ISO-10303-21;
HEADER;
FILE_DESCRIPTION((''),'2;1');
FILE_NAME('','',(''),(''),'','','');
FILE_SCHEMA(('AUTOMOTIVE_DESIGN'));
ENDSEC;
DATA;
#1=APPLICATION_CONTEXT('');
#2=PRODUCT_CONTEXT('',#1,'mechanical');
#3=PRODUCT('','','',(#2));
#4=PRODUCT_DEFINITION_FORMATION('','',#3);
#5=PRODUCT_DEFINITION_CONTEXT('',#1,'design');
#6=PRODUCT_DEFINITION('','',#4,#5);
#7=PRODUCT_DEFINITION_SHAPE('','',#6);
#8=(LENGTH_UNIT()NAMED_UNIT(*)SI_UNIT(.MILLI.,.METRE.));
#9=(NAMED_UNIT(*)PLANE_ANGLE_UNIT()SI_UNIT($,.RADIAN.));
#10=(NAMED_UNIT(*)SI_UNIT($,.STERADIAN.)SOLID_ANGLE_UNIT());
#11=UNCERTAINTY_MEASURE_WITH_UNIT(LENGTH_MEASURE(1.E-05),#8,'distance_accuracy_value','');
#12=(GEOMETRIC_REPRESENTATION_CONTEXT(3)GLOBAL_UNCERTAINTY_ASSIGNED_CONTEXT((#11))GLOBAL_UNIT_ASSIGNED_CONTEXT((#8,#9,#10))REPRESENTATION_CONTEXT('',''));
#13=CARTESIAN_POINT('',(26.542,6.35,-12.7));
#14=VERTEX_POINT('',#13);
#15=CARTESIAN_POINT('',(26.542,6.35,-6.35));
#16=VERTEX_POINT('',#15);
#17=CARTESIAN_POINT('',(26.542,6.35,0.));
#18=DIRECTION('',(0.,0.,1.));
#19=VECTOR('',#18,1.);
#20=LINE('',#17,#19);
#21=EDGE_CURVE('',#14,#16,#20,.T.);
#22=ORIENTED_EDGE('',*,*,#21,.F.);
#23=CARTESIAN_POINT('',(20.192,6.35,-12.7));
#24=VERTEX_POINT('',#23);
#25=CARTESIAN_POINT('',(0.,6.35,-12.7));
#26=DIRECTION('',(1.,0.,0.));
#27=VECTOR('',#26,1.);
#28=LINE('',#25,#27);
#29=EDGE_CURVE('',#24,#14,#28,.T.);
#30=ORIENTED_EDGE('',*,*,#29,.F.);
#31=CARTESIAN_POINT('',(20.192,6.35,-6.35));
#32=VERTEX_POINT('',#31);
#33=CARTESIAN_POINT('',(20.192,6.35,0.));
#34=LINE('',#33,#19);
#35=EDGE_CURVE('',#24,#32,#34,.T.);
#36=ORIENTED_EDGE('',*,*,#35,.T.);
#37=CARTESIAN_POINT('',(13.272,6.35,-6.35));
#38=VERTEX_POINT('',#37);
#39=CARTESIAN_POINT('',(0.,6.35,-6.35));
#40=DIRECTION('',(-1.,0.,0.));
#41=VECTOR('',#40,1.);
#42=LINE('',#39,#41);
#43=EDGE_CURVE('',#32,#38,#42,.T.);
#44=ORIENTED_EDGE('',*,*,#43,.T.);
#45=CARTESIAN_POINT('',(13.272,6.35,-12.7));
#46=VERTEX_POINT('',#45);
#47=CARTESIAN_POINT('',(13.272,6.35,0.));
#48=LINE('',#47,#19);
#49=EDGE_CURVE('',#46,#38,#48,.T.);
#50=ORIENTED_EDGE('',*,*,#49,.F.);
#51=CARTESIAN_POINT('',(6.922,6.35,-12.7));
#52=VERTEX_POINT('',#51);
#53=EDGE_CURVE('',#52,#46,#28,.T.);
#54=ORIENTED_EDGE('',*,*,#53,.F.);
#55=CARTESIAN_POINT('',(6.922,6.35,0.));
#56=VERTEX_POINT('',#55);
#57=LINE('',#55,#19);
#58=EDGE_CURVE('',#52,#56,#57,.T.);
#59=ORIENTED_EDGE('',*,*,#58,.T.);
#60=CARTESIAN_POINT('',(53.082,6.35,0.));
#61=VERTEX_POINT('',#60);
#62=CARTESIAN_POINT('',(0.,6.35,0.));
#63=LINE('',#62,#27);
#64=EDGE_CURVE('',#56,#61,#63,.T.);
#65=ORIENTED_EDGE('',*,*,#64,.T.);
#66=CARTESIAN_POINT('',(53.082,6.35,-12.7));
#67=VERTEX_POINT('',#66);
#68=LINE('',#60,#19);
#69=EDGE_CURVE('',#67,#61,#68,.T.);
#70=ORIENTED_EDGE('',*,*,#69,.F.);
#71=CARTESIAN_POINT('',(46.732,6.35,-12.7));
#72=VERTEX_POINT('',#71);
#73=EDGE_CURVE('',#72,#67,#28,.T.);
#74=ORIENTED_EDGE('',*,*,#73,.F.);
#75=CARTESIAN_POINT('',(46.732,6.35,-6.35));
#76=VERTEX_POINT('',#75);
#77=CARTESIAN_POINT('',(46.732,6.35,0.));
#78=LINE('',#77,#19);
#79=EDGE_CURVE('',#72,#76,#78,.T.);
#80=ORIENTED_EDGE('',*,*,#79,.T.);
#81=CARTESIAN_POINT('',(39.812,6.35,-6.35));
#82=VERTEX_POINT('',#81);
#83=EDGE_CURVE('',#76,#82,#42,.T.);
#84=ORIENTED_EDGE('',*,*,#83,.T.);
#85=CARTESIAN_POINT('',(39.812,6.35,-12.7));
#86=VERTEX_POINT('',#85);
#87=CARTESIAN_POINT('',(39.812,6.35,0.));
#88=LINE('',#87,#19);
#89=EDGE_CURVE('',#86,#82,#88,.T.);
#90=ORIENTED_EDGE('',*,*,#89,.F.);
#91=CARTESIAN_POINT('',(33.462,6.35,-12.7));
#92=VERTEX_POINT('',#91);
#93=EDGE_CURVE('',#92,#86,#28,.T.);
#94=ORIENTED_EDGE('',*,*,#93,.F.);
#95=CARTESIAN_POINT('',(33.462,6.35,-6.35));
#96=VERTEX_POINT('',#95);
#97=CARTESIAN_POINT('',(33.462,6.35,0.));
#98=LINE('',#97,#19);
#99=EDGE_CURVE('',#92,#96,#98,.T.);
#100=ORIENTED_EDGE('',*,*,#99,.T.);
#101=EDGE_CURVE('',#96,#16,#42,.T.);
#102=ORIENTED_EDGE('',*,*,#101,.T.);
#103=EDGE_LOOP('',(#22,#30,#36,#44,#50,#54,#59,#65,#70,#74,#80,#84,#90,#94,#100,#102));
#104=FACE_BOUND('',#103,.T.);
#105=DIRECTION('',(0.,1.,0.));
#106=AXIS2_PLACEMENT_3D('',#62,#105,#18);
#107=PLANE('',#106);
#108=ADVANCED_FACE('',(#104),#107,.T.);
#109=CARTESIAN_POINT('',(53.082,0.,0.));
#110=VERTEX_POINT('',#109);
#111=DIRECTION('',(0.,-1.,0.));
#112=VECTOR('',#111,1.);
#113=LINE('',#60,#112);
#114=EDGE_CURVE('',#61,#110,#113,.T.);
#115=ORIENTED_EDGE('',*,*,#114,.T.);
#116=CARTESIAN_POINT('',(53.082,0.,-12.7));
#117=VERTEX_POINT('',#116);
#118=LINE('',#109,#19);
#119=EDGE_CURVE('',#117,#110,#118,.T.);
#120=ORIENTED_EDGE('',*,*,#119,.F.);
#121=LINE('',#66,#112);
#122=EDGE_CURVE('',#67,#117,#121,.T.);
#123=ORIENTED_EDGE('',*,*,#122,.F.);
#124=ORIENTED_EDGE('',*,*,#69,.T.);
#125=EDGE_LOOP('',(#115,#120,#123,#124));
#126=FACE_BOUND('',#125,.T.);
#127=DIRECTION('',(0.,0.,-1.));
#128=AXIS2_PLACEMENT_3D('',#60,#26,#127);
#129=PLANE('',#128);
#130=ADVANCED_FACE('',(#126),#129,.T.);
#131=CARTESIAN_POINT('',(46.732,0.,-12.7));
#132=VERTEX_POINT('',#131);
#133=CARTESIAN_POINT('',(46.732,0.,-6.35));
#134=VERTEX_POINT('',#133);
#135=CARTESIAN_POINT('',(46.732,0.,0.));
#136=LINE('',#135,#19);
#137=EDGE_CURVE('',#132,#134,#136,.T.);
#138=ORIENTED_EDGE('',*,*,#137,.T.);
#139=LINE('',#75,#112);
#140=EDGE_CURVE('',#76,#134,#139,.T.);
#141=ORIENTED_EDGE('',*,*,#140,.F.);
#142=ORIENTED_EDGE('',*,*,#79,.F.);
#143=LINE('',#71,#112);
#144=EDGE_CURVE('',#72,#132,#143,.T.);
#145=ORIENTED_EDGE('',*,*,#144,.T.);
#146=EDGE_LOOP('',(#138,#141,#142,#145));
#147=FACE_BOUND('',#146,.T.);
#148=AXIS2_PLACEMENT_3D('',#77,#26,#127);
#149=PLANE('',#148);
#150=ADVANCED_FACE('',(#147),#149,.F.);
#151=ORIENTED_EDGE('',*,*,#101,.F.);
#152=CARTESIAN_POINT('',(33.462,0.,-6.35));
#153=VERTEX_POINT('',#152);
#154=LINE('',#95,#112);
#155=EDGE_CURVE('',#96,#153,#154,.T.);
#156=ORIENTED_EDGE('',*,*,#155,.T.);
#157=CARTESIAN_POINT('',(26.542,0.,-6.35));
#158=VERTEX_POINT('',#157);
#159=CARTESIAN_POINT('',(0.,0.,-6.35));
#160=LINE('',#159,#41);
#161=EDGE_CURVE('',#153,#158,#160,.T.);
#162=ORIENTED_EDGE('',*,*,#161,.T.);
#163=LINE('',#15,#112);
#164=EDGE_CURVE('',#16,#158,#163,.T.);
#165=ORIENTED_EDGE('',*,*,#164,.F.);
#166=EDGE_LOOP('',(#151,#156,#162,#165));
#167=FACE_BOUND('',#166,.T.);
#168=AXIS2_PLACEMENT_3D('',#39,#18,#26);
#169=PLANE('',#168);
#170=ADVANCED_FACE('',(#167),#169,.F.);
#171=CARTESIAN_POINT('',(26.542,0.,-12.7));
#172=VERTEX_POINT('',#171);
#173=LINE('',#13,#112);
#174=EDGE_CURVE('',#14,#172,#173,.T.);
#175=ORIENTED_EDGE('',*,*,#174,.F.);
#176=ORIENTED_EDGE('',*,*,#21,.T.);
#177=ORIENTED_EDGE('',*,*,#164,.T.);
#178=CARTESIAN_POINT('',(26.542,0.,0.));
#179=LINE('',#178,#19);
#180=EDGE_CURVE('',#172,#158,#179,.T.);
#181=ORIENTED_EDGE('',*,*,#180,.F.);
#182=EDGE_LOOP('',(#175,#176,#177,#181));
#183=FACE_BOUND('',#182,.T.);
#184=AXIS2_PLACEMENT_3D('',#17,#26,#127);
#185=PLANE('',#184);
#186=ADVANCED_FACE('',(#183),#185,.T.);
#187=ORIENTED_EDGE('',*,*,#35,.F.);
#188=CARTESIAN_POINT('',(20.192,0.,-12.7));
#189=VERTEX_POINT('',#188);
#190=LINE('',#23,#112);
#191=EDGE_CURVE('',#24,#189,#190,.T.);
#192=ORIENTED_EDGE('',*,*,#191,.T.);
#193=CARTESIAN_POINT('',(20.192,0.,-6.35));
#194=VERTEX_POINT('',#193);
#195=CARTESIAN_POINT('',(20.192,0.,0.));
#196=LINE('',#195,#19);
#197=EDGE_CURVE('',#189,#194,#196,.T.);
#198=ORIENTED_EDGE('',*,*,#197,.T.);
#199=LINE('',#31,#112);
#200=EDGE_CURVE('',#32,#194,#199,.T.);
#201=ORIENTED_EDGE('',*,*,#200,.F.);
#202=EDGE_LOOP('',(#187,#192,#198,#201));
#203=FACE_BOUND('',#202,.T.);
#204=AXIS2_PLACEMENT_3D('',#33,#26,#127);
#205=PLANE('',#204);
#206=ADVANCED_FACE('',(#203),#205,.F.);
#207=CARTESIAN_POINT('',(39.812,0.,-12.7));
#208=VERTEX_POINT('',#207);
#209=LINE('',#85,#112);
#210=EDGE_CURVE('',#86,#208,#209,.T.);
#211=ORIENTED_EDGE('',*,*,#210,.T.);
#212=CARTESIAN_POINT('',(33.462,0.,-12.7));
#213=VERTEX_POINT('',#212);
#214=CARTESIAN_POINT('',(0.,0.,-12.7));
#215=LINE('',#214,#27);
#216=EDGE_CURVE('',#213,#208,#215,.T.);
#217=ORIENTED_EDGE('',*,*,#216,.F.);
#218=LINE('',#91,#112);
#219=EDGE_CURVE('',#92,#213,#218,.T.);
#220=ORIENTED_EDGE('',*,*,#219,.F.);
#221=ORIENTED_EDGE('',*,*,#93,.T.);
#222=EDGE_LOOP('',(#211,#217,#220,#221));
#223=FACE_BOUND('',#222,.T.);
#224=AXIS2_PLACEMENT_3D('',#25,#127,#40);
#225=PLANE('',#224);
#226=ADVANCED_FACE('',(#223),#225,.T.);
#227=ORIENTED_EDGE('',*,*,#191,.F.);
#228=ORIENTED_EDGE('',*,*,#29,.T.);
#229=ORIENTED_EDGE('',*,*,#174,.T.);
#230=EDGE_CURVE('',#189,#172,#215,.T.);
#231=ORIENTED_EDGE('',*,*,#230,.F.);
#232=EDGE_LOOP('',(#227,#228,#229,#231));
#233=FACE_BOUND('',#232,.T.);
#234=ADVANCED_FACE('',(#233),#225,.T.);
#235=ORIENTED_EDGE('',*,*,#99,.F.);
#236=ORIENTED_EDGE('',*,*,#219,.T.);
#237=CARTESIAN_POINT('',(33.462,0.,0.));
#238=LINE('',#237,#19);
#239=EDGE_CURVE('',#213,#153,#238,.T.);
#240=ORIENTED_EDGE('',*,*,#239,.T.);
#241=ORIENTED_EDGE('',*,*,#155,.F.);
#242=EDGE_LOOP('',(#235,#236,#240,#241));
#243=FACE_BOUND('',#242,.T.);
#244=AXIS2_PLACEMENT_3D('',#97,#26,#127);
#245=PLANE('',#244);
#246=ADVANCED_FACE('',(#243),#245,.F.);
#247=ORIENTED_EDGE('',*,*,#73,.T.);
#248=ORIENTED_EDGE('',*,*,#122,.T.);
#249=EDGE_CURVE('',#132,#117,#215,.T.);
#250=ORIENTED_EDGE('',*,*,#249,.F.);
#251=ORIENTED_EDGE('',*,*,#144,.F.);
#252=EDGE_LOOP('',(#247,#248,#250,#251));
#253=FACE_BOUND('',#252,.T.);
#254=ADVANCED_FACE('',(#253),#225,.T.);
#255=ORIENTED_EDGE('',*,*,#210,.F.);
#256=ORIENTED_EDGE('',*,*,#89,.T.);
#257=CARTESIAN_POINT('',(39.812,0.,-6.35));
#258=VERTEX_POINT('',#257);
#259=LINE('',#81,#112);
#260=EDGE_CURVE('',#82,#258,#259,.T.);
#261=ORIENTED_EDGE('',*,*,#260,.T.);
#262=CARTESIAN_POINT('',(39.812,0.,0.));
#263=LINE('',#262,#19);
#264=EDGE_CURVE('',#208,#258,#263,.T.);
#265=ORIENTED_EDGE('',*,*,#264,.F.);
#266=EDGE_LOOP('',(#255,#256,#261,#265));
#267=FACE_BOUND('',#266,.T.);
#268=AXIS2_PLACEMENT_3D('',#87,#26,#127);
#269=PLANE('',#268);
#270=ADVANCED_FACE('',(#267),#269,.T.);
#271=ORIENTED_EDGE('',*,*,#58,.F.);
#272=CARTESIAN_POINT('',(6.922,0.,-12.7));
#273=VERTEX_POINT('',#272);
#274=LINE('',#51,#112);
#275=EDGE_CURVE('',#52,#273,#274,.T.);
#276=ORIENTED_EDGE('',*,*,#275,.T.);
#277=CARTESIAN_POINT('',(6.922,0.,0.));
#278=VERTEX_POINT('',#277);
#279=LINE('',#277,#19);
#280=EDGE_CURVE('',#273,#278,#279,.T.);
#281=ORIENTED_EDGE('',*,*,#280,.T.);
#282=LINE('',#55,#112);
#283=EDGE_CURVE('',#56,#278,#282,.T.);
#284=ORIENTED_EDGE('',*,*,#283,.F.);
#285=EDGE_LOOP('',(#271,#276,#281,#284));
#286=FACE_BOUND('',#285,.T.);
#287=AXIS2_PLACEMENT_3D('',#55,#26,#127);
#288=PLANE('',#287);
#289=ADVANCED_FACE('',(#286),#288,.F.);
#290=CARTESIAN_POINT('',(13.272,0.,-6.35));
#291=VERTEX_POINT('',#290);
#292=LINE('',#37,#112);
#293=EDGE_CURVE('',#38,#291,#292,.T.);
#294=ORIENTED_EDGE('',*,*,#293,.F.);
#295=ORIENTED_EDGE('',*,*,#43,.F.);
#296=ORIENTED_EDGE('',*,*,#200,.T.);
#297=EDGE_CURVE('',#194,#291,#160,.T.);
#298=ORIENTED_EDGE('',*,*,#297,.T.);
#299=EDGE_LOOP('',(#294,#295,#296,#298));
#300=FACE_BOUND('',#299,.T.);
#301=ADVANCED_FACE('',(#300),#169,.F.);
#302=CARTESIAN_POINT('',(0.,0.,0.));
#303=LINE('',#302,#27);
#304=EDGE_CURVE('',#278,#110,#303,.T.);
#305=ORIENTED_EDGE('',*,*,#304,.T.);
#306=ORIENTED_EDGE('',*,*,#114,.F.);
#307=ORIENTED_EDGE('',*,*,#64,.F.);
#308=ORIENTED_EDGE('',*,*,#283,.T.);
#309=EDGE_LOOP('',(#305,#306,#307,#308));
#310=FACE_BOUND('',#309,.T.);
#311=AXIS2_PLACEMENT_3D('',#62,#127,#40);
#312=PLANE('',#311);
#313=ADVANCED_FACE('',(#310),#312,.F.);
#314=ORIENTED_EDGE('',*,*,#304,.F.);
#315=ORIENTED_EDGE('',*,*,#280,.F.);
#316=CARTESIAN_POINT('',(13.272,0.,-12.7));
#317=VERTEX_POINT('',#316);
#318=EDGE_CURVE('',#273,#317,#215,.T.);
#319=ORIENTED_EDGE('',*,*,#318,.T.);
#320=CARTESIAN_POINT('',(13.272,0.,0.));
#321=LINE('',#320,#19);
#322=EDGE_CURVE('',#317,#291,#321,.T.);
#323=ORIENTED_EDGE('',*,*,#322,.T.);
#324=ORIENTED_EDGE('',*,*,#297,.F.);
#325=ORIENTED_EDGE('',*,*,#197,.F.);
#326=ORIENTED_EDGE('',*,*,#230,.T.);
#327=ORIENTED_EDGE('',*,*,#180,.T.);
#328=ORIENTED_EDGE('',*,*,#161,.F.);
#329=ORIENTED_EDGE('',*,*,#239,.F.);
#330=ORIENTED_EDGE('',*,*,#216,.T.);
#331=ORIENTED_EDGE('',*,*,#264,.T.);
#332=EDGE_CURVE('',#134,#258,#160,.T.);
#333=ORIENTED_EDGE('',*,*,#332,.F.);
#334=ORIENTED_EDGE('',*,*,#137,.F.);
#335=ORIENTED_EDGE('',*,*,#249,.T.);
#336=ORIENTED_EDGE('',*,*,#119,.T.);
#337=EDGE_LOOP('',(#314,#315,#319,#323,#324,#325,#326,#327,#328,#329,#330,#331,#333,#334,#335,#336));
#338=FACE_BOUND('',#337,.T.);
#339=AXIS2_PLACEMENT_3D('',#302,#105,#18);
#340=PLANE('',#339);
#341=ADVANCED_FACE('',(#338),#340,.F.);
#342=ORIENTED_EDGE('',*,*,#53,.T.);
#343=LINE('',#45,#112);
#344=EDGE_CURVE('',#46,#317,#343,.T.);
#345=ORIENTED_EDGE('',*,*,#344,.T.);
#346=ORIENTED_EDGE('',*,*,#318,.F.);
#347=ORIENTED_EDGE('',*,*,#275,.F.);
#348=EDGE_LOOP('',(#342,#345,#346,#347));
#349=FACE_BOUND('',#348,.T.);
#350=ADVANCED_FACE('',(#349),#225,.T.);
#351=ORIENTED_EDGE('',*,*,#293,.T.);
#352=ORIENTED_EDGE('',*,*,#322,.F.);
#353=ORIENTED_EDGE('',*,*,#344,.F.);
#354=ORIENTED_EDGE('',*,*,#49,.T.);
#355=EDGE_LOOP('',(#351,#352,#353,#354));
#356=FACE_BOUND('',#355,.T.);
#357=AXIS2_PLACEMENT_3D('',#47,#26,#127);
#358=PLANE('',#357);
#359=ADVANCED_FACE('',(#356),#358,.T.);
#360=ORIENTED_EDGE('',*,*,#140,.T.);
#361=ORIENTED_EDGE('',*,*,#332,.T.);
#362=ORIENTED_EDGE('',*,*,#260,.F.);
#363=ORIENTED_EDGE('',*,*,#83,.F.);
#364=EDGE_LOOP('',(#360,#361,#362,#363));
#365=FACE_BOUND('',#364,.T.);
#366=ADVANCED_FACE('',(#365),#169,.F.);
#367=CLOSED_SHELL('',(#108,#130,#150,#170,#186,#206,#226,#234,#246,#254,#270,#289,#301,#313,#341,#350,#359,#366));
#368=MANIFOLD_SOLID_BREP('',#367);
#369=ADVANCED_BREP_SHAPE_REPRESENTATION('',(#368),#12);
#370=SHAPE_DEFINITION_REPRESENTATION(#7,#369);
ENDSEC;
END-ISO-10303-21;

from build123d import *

# Parameters (mm, degrees)
BOSS_EXTRUDE1_DEPTH = 6.35


with BuildPart() as part:
    # Sketch1 → Boss-Extrude1 (new body)
    with BuildSketch(Plane(origin=(0, 0, 0), x_dir=(1, 0, 0), z_dir=(0, 1, 0))):
        Polygon((6.922, 6.35), (6.922, 0), (53.082, 0), (53.082, 6.35), (53.082, 12.7), (52.819416304, 12.7), (46.732, 12.7), (46.732, 6.35), (39.812, 6.35), (39.812, 12.7), (33.462, 12.7), (33.462, 6.35), (26.542, 6.35), (26.542, 12.7), (20.192, 12.7), (20.192, 6.35), (13.272, 6.35), (13.272, 12.7), (6.922, 12.7), align=None)
    extrude(amount=BOSS_EXTRUDE1_DEPTH)


solid = part.part
